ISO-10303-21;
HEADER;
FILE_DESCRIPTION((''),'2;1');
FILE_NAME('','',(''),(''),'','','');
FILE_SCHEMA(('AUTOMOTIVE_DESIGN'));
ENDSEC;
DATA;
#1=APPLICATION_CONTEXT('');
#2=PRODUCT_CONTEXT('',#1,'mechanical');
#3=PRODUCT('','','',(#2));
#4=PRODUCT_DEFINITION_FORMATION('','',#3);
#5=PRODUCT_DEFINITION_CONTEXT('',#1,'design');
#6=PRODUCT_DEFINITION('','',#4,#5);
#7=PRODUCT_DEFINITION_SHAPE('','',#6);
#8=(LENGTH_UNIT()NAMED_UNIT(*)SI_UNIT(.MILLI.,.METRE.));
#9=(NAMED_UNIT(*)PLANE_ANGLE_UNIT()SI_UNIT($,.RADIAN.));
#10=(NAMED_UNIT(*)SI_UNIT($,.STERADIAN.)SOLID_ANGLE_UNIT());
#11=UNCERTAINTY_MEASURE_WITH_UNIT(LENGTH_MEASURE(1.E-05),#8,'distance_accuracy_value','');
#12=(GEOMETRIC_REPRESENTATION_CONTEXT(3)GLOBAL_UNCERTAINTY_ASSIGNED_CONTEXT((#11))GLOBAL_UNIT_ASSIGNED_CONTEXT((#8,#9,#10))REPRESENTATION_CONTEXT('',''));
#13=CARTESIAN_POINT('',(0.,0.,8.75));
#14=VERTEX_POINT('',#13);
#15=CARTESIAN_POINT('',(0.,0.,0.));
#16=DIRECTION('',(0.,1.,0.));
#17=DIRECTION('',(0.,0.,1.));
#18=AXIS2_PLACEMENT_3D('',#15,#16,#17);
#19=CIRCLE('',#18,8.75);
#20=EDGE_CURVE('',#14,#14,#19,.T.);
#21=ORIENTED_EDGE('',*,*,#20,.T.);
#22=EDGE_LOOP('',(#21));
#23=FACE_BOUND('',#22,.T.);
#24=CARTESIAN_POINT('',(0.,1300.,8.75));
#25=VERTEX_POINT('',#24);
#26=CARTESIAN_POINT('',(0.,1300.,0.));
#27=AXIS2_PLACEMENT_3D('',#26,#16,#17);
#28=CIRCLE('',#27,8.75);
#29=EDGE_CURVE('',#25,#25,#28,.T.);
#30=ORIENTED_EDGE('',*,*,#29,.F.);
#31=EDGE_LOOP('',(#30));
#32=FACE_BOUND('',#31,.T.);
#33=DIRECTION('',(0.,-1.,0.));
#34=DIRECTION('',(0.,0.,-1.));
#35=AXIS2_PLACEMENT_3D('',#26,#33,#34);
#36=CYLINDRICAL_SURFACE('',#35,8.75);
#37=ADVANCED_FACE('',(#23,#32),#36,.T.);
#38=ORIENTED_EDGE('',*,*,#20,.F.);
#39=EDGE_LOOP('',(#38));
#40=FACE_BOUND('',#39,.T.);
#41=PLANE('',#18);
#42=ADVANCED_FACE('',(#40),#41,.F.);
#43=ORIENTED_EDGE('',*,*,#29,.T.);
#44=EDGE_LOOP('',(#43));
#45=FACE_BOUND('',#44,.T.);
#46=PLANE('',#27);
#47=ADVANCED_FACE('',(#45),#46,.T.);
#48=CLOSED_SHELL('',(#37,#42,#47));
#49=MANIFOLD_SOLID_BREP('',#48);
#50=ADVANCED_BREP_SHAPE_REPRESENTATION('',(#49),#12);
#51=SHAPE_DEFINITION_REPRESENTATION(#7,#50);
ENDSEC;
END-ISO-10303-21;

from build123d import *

# Parameters (mm, degrees)
ESQUISSE1_R        = 8.75
BOSS_EXTRU_1_DEPTH = 1300


with BuildPart() as part:
    # Esquisse1 → Boss.-Extru.1 (new body)
    with BuildSketch(Plane(origin=(0, 0, 0), x_dir=(1, 0, 0), z_dir=(0, 1, 0))):
        with Locations(Location((0, 0, 0), (0, 0, 270))):
            Circle(ESQUISSE1_R)
    extrude(amount=BOSS_EXTRU_1_DEPTH)


solid = part.part
